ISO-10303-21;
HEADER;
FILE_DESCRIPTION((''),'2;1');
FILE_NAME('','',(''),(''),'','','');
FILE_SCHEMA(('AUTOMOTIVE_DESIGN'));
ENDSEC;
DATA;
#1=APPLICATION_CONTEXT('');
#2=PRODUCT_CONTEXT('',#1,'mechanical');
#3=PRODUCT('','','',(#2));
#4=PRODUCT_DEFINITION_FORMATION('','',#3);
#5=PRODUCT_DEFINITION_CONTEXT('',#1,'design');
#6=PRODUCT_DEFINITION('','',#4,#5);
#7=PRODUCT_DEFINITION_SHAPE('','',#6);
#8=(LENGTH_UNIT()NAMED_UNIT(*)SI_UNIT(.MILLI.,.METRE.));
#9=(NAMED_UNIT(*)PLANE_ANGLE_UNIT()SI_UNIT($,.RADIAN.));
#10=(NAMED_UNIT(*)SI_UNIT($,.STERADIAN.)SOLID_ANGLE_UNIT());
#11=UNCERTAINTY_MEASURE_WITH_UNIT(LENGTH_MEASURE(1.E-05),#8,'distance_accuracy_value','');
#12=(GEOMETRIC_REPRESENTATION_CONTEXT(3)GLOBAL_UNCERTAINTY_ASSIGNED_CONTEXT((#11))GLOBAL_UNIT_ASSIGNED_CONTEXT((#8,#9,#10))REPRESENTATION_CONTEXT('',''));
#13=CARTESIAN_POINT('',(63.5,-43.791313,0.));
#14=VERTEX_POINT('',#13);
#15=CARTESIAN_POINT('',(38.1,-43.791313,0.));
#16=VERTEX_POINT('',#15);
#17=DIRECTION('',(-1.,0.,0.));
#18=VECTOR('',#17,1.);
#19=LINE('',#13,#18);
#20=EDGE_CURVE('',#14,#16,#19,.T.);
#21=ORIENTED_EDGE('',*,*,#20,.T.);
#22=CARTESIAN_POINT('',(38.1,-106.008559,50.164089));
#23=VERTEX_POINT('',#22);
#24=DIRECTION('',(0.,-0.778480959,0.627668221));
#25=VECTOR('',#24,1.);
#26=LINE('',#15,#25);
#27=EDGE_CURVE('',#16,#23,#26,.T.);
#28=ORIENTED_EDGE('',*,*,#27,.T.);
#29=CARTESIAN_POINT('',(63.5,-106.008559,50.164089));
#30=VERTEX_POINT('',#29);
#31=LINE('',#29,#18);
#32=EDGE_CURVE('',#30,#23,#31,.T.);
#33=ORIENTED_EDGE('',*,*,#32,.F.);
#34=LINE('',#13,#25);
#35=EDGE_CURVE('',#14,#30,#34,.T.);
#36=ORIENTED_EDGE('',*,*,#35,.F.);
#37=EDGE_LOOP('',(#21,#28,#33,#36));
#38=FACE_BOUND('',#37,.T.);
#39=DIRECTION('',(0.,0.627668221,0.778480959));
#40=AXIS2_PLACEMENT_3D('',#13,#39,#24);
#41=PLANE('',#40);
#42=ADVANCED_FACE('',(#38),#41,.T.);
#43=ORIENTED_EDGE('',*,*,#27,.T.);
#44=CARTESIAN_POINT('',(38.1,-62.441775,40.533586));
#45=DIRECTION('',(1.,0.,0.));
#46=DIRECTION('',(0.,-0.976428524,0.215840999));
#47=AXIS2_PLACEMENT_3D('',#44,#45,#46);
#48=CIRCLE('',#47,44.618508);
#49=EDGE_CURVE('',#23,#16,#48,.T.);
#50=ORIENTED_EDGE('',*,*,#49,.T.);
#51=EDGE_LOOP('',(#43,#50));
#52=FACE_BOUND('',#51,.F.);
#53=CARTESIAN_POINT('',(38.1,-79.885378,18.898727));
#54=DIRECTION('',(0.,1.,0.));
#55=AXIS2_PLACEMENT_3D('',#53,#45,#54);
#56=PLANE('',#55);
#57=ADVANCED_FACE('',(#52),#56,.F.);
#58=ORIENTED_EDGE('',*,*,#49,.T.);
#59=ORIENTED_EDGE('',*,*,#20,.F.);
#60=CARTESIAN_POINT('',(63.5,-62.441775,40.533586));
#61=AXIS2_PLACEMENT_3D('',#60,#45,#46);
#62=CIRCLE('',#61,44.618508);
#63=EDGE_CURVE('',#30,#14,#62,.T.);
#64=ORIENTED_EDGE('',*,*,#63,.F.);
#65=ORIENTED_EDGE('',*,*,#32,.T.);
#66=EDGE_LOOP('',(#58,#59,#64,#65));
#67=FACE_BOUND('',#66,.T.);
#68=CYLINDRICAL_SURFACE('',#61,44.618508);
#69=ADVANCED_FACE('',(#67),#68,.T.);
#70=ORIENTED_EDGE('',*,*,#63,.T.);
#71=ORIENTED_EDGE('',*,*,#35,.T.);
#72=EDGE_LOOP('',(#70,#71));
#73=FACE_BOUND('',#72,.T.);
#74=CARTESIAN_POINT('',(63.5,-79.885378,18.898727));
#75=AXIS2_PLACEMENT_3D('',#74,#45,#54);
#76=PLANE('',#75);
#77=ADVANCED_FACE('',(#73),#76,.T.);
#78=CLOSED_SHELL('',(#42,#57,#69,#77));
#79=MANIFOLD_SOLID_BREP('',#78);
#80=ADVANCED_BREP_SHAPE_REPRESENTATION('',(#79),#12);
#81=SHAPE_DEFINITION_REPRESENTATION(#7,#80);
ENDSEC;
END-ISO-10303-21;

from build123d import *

# Parameters (mm, degrees)
F0_W     = 127
F0_H     = 127
F1_DEPTH = 115.57
F3_DEPTH = 25.4


with BuildPart() as f1:
    # F0 (on Front) → F1 (new body)
    with BuildSketch(Plane.XZ):
        Rectangle(F0_W, F0_H)
    extrude(amount=F1_DEPTH)

    # F2 (on face) → F3 (intersect)
    with BuildSketch(Plane.YZ.offset(63.5)):
        with BuildLine():
            Line((-43.791313, 0), (-106.008559, 50.164089))
            ThreePointArc((-106.008559, 50.164089), (-90.447394, 5.798926), (-43.791313, 0))
        make_face()
    extrude(amount=-F3_DEPTH, mode=Mode.INTERSECT)


solid = f1.part
